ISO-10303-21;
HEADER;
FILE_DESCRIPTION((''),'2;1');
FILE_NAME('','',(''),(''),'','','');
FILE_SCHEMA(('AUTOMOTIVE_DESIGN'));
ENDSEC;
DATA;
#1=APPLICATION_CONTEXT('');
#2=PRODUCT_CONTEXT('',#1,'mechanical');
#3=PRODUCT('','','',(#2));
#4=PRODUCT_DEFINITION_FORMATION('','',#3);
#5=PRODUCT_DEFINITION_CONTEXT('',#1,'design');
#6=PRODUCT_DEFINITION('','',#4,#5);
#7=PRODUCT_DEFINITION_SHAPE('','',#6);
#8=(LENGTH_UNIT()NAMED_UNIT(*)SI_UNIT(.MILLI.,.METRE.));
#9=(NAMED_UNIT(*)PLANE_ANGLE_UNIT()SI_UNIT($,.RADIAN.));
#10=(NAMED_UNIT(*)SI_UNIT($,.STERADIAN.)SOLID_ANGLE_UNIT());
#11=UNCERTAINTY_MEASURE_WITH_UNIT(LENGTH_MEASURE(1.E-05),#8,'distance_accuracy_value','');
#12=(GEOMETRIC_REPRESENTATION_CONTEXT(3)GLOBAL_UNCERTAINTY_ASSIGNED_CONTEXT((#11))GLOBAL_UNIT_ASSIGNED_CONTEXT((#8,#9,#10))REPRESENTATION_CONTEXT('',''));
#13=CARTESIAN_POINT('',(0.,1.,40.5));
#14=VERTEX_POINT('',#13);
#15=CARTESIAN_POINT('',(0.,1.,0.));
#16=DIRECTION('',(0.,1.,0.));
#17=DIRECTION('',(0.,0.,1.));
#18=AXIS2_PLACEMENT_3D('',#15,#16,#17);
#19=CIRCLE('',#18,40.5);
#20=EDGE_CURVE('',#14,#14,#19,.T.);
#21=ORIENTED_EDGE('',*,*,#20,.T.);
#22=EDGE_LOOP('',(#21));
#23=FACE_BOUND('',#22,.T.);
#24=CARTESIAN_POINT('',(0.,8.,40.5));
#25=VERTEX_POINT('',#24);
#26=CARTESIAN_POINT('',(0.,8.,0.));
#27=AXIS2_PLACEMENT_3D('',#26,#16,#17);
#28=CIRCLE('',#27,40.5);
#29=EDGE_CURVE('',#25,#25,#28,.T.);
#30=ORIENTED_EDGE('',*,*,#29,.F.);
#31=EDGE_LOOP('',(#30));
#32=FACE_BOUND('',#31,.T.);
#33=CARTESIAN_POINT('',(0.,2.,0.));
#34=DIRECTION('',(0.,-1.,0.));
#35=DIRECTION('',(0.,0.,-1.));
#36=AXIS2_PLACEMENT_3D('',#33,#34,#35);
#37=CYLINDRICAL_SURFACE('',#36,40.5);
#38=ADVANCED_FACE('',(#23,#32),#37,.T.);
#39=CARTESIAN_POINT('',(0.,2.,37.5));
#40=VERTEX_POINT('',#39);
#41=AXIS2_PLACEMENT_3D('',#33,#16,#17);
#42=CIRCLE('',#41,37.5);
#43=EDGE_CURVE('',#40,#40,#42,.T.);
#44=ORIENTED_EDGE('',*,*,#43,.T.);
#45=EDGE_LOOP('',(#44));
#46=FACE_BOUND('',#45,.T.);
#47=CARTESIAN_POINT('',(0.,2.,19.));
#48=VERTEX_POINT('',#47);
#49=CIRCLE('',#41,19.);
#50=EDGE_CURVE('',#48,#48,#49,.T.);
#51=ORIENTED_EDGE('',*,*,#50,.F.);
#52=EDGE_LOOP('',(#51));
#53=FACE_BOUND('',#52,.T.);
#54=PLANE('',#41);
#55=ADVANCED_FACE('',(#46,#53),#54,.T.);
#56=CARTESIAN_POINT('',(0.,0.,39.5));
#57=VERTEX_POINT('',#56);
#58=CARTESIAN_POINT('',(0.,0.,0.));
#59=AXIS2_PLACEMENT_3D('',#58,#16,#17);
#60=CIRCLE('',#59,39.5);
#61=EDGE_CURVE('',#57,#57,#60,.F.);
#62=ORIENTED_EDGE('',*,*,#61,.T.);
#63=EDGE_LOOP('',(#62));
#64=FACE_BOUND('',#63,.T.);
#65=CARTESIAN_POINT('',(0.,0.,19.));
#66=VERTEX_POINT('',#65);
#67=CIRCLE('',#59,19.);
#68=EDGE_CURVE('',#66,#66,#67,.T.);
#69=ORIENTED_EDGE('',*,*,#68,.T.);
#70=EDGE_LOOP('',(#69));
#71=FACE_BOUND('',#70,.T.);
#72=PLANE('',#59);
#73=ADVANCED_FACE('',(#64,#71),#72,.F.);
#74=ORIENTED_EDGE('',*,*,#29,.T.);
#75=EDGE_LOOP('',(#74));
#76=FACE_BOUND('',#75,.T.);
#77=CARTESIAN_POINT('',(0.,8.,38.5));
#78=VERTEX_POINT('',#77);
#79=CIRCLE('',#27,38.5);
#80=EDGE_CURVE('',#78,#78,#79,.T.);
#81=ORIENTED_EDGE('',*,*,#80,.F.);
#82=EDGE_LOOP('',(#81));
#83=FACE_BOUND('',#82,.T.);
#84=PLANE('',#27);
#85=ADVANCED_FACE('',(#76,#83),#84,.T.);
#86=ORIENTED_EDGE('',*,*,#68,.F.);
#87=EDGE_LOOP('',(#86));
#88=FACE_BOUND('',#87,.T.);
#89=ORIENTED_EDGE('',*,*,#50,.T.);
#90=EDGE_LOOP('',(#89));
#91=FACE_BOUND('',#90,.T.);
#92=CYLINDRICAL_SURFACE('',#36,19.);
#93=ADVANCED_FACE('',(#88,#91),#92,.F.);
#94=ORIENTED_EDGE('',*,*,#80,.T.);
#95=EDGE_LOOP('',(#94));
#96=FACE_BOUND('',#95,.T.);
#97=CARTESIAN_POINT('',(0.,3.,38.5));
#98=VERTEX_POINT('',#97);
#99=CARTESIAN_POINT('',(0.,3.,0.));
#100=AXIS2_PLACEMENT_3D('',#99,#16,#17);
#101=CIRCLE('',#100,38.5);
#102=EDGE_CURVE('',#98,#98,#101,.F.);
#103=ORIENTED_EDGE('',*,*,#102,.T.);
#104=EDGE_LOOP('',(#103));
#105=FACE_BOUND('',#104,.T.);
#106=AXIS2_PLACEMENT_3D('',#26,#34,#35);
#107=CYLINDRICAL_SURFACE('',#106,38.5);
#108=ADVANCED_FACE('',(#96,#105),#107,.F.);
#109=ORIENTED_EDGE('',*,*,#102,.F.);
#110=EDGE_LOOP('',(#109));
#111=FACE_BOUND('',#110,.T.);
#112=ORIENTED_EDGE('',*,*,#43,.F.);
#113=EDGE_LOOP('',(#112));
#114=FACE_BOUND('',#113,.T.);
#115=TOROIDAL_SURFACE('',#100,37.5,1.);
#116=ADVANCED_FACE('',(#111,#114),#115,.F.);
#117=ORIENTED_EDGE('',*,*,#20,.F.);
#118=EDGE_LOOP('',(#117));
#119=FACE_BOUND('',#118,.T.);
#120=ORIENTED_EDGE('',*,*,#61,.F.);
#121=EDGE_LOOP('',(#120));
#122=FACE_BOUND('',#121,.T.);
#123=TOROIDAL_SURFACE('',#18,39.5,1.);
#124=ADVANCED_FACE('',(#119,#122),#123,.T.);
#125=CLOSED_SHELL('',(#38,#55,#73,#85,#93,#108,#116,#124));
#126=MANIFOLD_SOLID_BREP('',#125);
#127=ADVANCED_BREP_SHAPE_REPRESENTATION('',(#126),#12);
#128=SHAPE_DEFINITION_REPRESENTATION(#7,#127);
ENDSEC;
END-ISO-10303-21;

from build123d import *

# Parameters (mm, degrees)
SKETCH1_R           = 40.5
SKETCH1_R_2         = 19
BOSS_EXTRUDE1_DEPTH = 2
SKETCH1_3_R         = 40.5
SKETCH1_3_R_2       = 38.5
BOSS_EXTRUDE2_DEPTH = 8
FILLET1_R           = 1
FILLET2_R           = 1


with BuildPart() as part:
    # Sketch1 → Boss-Extrude1 (new body)
    with BuildSketch(Plane(origin=(0, 0, 0), x_dir=(1, 0, 0), z_dir=(0, 1, 0))):
        Circle(SKETCH1_R)
        Circle(SKETCH1_R_2, mode=Mode.SUBTRACT)
    extrude(amount=BOSS_EXTRUDE1_DEPTH)

    # Sketch1<3> → Boss-Extrude2 (add)
    with BuildSketch(Plane(origin=(0, 0, 0), x_dir=(1, 0, 0), z_dir=(0, 1, 0))):
        Circle(SKETCH1_3_R)
        Circle(SKETCH1_3_R_2, mode=Mode.SUBTRACT)
    extrude(amount=BOSS_EXTRUDE2_DEPTH)

    # Fillet1
    fillet1_edges = [part.edges().sort_by_distance(p)[0] for p in [
        (-40.5, 0, 0),
    ]]
    fillet(fillet1_edges, radius=FILLET1_R)

    # Fillet2
    fillet2_edges = [part.edges().sort_by_distance(p)[0] for p in [
        (-38.5, 2, 0),
    ]]
    fillet(fillet2_edges, radius=FILLET2_R)


solid = part.part
